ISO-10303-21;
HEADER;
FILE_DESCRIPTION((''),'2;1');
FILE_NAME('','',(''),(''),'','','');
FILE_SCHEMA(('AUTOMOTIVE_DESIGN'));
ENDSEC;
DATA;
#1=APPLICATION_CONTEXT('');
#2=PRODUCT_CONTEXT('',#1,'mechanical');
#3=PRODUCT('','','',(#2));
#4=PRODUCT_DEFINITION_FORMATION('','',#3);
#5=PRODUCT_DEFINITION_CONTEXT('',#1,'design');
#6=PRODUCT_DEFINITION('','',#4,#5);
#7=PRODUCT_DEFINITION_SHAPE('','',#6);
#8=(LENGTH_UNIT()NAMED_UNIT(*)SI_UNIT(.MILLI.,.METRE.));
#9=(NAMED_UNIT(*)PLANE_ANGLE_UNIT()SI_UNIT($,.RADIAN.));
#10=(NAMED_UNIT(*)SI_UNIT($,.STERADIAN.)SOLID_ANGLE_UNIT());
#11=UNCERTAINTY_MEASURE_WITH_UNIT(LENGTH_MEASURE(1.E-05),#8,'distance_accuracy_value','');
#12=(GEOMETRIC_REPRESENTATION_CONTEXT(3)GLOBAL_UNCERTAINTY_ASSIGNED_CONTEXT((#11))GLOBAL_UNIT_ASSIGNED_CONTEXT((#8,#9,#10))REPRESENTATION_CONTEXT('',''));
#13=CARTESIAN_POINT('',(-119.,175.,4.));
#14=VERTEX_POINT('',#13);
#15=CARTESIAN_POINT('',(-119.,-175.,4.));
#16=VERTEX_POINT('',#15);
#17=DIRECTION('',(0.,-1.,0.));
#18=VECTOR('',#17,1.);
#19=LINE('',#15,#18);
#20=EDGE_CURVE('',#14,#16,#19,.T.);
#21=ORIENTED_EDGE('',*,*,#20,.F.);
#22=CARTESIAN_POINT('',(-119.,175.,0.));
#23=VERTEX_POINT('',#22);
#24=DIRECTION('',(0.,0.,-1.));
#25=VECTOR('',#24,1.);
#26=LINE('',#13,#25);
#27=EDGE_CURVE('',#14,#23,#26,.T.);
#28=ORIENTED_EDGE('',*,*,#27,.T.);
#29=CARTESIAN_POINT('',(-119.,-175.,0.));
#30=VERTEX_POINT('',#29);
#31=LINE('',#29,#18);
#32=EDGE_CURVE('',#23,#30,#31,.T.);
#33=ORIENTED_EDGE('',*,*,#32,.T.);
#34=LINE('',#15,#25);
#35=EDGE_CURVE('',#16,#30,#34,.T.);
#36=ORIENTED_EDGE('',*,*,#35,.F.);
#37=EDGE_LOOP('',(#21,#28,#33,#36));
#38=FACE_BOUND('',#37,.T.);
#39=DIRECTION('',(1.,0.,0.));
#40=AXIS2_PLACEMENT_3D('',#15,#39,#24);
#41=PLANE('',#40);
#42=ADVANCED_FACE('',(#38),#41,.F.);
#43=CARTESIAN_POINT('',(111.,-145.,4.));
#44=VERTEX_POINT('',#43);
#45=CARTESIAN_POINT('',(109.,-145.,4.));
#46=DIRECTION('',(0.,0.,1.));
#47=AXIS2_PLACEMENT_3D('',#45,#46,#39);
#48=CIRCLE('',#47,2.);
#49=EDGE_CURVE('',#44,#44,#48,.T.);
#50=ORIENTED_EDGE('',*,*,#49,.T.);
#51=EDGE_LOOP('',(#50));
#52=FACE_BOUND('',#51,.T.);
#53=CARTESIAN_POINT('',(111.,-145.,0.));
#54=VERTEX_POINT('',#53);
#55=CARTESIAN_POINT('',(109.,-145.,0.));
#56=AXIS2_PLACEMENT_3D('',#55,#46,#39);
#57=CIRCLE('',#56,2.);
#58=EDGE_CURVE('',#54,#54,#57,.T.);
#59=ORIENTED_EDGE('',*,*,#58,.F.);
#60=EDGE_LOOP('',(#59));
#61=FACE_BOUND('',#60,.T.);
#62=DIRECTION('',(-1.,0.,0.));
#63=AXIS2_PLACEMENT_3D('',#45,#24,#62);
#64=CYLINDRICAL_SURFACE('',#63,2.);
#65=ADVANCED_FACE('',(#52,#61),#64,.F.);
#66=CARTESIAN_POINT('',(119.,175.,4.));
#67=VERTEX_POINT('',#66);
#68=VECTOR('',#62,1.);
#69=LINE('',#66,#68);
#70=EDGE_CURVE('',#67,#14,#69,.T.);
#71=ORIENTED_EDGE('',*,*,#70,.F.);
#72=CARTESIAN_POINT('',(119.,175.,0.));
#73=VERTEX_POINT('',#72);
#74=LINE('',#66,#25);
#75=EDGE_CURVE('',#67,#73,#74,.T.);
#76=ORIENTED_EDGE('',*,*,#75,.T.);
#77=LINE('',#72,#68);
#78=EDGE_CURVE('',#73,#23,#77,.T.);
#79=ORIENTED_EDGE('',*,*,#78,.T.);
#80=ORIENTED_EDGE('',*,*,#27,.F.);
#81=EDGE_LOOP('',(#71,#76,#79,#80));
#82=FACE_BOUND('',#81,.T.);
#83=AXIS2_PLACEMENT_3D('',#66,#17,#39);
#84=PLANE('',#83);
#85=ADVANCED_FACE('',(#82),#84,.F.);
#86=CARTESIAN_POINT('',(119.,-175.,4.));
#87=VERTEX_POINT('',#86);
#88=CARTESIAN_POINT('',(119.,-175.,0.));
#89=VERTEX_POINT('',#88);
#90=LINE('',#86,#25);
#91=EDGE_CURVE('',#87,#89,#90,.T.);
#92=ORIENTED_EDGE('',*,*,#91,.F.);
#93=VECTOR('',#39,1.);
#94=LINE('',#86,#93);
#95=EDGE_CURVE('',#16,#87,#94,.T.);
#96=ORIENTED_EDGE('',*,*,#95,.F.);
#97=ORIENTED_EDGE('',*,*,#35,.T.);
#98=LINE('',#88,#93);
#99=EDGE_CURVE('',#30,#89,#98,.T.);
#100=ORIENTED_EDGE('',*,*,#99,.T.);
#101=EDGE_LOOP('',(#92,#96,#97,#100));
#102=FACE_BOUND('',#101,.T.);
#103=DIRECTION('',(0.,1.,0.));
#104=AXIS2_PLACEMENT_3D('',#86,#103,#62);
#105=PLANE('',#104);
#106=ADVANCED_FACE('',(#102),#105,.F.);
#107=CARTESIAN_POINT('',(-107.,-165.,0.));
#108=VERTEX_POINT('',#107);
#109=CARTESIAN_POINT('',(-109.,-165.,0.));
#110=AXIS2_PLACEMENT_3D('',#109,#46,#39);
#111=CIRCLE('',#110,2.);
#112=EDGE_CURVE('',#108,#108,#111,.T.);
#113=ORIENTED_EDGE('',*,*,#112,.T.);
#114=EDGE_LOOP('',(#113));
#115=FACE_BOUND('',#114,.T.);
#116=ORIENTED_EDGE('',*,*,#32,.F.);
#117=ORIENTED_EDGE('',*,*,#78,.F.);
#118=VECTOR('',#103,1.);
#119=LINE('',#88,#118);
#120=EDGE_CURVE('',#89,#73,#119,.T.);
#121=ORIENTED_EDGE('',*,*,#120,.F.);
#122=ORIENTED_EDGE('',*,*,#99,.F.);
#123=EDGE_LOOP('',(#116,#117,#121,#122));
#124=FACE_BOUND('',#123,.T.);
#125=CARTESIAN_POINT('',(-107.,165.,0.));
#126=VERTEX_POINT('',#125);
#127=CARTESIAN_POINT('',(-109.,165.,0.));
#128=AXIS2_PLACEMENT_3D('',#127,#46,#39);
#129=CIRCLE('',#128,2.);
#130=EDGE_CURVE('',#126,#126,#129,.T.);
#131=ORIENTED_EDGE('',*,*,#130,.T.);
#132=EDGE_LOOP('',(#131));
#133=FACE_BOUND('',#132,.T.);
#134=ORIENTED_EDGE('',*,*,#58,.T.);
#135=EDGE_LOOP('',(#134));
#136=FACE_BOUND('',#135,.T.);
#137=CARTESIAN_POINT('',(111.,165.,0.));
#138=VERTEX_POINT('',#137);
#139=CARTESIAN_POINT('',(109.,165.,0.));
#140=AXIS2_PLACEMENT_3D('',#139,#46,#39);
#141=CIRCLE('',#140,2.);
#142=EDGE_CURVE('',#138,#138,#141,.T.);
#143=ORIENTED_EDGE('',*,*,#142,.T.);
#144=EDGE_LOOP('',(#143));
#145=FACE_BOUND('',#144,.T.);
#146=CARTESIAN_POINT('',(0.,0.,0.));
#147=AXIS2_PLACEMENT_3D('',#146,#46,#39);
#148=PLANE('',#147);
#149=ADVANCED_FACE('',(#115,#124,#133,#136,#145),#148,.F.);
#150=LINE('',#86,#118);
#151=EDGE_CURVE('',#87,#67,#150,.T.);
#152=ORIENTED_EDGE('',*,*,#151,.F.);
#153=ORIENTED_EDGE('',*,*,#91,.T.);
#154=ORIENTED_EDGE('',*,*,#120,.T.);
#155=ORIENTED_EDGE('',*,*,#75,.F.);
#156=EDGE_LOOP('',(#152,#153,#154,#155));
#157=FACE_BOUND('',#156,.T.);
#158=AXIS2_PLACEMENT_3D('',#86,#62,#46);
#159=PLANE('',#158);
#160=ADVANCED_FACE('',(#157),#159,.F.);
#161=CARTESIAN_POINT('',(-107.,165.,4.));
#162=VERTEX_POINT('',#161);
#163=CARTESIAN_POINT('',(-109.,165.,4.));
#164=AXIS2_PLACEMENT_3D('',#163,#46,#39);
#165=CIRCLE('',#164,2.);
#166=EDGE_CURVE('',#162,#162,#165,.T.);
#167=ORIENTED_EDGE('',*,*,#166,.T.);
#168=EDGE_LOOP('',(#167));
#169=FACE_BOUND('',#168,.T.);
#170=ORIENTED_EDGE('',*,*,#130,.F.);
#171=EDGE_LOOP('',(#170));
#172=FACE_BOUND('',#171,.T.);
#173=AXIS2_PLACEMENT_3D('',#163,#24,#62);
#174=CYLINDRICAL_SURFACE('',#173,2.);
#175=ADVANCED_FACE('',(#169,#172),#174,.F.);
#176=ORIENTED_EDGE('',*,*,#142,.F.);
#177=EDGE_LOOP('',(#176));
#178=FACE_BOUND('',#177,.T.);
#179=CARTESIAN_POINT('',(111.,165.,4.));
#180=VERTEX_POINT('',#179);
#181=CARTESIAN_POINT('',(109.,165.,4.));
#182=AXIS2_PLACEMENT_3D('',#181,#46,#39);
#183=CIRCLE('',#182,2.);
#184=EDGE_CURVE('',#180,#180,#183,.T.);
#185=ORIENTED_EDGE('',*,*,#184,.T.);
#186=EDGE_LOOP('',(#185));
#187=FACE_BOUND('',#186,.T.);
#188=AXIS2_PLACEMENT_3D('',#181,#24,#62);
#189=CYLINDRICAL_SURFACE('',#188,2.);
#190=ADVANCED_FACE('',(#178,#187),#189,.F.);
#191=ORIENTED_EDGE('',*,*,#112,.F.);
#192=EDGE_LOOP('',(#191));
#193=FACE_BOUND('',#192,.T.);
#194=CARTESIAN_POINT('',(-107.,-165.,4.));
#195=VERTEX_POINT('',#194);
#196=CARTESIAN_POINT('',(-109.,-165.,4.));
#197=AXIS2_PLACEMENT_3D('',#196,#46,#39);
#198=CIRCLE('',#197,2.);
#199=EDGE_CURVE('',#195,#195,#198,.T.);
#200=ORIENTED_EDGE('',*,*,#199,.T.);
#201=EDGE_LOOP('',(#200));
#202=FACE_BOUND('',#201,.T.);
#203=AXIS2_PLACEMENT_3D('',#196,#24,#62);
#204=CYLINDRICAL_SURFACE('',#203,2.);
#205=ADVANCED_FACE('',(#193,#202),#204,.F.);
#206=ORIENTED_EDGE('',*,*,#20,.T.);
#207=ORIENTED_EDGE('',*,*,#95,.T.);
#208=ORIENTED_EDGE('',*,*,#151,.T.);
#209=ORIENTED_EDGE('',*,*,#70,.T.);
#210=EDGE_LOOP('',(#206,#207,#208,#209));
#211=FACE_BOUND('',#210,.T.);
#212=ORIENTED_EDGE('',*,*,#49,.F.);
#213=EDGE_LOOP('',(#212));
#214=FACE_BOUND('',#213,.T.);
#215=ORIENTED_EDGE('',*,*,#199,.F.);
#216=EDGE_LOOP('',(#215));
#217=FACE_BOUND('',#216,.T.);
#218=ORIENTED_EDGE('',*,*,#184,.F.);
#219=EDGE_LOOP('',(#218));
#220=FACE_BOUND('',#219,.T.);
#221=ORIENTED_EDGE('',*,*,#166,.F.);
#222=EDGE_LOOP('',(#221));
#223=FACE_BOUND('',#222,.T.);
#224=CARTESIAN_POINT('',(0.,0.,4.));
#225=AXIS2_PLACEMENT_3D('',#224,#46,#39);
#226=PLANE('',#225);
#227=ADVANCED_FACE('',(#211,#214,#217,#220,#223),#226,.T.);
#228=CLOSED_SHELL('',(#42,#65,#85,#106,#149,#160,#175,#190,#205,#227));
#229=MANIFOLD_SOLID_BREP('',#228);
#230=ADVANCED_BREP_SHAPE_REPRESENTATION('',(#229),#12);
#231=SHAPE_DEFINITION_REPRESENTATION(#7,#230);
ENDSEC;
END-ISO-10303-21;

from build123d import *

# Parameters (mm, degrees)
SKICA1_W                = 238
SKICA1_H                = 350
SKICA1_R                = 2
P_IDAT_VYSUNUT_M1_DEPTH = 4


with BuildPart() as part:
    # Skica1 → Přidat vysunutím1 (new body)
    with BuildSketch(Plane.XY):
        Rectangle(SKICA1_W, SKICA1_H)
        with Locations((109, 165)):
            Circle(SKICA1_R, mode=Mode.SUBTRACT)
        with Locations((109, -145)):
            Circle(SKICA1_R, mode=Mode.SUBTRACT)
        with Locations((-109, 165)):
            Circle(SKICA1_R, mode=Mode.SUBTRACT)
        with Locations((-109, -165)):
            Circle(SKICA1_R, mode=Mode.SUBTRACT)
    extrude(amount=P_IDAT_VYSUNUT_M1_DEPTH)


solid = part.part
